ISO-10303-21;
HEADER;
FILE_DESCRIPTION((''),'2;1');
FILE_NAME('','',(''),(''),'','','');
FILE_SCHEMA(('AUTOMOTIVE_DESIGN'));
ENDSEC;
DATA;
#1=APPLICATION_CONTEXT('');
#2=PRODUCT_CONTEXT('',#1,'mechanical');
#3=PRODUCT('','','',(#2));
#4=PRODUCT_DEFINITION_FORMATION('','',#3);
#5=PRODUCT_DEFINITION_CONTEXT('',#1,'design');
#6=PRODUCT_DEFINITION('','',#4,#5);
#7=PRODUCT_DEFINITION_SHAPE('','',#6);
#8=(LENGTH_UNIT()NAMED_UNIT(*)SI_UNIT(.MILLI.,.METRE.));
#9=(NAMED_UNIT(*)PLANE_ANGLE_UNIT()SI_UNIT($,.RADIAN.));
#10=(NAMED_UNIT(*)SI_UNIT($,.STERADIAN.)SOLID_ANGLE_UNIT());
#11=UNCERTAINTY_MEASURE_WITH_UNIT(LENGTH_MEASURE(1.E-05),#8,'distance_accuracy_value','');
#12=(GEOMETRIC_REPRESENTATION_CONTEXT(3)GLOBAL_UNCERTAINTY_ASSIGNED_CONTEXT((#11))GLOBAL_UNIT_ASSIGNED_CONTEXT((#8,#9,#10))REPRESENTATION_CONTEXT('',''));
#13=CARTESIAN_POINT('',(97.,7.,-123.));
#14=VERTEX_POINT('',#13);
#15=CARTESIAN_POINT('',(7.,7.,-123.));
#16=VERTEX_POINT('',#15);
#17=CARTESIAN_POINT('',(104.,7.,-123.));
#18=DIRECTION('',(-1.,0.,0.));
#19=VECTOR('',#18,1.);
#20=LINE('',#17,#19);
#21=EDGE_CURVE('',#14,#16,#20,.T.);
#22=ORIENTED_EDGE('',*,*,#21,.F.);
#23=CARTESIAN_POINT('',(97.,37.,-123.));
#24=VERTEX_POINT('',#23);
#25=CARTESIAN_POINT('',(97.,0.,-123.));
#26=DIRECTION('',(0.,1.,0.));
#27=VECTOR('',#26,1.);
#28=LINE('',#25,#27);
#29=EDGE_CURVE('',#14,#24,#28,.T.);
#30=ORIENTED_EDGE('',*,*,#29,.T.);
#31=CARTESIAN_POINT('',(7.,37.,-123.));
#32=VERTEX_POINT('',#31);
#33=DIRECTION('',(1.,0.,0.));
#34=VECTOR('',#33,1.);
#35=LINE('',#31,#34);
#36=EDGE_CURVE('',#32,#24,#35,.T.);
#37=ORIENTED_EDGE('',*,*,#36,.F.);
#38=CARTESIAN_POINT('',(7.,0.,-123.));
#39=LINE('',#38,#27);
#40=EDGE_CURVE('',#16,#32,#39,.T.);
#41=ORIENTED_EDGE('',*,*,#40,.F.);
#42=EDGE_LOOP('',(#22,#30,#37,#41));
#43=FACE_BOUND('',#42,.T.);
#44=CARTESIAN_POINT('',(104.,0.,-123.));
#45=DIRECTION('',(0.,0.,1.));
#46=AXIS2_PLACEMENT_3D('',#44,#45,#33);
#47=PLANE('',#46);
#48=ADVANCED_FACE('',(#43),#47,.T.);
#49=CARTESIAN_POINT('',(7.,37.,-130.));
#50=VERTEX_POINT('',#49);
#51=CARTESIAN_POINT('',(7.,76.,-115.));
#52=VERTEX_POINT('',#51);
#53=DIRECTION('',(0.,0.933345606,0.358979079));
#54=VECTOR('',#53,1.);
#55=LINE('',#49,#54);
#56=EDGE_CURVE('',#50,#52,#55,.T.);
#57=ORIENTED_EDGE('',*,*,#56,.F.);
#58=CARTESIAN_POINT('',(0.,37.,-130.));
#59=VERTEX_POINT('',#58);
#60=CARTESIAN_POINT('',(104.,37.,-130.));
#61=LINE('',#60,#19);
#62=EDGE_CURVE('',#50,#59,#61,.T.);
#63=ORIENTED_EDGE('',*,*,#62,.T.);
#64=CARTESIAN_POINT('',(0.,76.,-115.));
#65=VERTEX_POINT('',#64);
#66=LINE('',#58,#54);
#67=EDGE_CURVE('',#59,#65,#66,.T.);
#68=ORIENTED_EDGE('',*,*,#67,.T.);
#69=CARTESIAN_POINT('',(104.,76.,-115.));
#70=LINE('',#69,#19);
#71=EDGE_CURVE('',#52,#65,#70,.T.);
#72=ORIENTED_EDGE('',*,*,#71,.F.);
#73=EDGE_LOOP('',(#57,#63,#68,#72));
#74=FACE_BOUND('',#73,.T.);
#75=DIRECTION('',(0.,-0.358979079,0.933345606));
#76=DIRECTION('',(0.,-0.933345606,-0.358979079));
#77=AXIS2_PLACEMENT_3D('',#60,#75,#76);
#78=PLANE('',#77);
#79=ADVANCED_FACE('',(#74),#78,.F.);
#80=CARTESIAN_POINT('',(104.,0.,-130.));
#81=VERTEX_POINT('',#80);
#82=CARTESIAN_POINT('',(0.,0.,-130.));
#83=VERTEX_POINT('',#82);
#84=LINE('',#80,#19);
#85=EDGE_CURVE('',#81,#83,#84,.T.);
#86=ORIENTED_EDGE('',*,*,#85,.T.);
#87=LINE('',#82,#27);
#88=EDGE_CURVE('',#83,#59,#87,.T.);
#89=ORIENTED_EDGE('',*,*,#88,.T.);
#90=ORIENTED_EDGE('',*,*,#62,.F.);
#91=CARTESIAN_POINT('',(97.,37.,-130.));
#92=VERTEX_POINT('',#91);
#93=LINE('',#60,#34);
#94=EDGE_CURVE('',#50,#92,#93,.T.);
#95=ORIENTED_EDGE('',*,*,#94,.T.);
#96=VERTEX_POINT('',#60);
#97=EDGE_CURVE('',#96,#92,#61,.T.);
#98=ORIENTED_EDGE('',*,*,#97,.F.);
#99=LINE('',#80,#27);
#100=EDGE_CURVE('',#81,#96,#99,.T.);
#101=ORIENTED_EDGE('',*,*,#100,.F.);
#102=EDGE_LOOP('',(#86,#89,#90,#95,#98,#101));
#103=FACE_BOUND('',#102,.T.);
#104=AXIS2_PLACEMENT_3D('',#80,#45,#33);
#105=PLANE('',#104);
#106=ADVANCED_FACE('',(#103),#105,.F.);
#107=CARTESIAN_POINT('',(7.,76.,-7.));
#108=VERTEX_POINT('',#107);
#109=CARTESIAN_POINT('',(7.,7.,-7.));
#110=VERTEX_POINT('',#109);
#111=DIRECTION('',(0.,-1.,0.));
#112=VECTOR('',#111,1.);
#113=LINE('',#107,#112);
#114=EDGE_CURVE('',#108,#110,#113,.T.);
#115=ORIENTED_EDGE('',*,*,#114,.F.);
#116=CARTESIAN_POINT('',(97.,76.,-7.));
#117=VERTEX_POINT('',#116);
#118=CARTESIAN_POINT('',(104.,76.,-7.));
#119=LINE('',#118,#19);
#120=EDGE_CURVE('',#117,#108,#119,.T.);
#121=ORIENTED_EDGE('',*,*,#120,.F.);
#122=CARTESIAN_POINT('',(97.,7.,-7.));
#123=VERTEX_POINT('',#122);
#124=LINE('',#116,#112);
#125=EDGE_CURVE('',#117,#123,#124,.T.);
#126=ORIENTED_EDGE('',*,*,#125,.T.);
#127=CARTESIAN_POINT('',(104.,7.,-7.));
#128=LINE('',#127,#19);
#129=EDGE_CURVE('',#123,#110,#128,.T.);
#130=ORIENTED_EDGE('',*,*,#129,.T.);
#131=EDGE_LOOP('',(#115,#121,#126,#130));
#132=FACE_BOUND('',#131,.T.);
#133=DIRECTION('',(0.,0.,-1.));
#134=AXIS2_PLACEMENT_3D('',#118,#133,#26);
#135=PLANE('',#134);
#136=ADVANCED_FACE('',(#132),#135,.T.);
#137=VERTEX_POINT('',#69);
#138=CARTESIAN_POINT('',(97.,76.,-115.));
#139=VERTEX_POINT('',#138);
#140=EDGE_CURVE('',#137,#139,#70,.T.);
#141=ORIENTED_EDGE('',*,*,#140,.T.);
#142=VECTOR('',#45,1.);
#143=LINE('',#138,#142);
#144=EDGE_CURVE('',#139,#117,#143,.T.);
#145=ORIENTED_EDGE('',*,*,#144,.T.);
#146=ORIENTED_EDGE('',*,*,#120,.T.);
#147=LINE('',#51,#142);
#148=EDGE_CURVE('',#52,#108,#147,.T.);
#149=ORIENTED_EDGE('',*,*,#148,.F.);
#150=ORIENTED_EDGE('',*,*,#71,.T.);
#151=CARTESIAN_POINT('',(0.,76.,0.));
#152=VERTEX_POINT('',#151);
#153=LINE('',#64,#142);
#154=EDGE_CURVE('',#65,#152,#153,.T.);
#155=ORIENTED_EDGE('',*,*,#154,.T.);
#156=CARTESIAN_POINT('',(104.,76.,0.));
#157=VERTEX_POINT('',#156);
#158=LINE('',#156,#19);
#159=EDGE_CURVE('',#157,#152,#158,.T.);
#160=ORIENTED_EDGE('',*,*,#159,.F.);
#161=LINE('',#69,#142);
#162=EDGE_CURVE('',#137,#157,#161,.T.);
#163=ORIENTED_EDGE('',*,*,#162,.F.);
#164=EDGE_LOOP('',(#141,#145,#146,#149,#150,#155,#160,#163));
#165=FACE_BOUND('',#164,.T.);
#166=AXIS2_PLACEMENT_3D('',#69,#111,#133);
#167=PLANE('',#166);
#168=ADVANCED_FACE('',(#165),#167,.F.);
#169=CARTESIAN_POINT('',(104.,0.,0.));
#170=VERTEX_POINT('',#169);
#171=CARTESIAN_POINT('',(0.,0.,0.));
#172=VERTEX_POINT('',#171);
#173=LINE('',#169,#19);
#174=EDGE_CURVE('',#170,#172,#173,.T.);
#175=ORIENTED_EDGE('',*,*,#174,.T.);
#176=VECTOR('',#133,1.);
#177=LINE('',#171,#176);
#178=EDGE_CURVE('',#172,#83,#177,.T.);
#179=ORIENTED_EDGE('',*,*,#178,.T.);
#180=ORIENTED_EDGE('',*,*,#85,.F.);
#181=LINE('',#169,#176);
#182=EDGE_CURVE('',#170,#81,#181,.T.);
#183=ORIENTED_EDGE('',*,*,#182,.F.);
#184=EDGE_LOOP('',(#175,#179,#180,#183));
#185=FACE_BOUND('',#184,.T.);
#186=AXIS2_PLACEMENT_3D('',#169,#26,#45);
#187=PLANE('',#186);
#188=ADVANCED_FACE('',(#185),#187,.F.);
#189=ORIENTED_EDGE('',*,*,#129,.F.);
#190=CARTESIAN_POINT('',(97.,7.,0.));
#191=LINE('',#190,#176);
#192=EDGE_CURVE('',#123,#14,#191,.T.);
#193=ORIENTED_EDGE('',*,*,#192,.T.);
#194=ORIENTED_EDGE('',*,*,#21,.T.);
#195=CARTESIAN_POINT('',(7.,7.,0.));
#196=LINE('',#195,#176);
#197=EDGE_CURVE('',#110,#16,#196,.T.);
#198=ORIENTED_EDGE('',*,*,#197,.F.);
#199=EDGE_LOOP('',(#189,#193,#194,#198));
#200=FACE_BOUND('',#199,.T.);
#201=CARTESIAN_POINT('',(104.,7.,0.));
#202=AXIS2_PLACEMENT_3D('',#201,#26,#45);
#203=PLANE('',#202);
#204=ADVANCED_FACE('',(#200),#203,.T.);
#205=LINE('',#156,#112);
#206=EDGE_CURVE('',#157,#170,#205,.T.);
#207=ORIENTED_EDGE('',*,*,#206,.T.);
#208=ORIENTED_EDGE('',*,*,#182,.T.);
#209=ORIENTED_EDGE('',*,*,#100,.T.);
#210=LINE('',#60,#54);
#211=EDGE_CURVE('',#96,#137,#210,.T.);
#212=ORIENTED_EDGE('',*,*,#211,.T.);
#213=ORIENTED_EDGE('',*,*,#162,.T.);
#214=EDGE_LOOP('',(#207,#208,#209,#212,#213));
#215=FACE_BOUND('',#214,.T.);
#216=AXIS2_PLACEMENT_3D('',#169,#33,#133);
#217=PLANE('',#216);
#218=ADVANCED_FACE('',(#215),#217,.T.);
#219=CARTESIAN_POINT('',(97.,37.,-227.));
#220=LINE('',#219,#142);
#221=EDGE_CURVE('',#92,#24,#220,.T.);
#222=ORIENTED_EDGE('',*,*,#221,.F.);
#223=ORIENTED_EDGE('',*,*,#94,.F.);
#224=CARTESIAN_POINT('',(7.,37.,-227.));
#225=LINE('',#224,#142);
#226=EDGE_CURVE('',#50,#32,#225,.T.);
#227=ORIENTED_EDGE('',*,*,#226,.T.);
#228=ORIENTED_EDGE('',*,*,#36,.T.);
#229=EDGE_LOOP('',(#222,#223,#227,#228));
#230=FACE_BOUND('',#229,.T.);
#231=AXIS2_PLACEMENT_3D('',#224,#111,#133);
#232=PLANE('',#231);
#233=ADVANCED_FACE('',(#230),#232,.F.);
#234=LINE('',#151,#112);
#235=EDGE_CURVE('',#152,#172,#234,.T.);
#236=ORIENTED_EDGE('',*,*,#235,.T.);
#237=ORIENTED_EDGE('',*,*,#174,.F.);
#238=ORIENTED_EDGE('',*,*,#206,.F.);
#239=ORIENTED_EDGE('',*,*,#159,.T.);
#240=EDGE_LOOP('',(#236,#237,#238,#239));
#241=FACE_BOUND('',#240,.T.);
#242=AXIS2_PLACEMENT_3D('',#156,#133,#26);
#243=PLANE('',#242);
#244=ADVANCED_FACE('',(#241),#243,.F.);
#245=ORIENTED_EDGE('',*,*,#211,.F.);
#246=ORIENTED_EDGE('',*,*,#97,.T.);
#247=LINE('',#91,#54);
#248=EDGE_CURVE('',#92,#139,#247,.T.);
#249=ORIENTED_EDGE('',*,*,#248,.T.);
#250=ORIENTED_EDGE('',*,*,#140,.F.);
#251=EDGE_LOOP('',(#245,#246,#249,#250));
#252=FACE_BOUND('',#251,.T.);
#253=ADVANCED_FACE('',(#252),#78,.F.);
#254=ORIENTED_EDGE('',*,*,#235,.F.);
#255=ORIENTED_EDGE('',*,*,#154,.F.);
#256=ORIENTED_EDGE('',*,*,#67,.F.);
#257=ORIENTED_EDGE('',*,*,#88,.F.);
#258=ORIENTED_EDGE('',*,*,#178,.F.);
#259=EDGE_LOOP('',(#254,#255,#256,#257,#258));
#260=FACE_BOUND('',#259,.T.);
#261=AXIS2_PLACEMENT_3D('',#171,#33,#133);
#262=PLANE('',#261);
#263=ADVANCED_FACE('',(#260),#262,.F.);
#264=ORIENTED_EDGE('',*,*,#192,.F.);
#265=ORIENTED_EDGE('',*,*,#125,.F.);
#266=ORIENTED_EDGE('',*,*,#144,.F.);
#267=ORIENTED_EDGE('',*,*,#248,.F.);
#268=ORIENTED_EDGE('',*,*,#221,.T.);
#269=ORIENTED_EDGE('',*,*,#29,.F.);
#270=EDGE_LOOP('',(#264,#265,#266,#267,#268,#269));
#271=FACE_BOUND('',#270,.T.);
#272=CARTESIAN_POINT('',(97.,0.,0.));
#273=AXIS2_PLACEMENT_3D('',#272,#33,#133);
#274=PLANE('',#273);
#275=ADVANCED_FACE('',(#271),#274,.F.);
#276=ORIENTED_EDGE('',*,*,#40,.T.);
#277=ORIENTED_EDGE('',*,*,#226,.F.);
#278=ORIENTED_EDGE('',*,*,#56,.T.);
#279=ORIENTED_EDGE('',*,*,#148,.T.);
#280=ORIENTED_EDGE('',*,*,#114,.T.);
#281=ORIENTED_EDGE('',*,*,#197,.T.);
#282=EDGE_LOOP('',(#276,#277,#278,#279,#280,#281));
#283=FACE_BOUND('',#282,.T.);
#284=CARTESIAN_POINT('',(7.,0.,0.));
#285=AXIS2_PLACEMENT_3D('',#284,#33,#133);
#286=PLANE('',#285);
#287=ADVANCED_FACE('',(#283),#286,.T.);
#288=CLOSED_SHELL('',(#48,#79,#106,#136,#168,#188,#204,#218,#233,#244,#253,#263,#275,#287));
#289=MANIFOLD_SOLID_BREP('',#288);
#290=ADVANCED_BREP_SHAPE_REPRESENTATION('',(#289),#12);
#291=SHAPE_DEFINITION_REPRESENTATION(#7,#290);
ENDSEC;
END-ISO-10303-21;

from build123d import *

# Parameters (mm, degrees)
BOSS_EXTRUDE1_DEPTH = 104
SHELL1_T            = -7
SKETCH3_W           = 90
SKETCH3_H           = 18.2
CUT_EXTRUDE1_DEPTH  = 104


with BuildPart() as part:
    # Sketch1 → Boss-Extrude1 (new body)
    with BuildSketch(Plane(origin=(0, 0, 0), x_dir=(0, 0, -1), z_dir=(1, 0, 0))):
        Polygon((0, 0), (130, 0), (130, 37), (115, 76), (0, 76), align=None)
    extrude(amount=BOSS_EXTRUDE1_DEPTH)

    # Shell1
    shell1_openings = [part.faces().sort_by_distance(p)[0] for p in [
        (52, 76, -57.5),
        (52, 56.5, -122.5),
    ]]
    offset(amount=SHELL1_T, openings=shell1_openings, kind=Kind.INTERSECTION)

    # Sketch3 → Cut-Extrude1 (cut)
    with BuildSketch(Plane.XY.offset(-123)):
        with Locations((52, 46.1)):
            Rectangle(SKETCH3_W, SKETCH3_H)
    extrude(amount=-CUT_EXTRUDE1_DEPTH, mode=Mode.SUBTRACT)


solid = part.part
